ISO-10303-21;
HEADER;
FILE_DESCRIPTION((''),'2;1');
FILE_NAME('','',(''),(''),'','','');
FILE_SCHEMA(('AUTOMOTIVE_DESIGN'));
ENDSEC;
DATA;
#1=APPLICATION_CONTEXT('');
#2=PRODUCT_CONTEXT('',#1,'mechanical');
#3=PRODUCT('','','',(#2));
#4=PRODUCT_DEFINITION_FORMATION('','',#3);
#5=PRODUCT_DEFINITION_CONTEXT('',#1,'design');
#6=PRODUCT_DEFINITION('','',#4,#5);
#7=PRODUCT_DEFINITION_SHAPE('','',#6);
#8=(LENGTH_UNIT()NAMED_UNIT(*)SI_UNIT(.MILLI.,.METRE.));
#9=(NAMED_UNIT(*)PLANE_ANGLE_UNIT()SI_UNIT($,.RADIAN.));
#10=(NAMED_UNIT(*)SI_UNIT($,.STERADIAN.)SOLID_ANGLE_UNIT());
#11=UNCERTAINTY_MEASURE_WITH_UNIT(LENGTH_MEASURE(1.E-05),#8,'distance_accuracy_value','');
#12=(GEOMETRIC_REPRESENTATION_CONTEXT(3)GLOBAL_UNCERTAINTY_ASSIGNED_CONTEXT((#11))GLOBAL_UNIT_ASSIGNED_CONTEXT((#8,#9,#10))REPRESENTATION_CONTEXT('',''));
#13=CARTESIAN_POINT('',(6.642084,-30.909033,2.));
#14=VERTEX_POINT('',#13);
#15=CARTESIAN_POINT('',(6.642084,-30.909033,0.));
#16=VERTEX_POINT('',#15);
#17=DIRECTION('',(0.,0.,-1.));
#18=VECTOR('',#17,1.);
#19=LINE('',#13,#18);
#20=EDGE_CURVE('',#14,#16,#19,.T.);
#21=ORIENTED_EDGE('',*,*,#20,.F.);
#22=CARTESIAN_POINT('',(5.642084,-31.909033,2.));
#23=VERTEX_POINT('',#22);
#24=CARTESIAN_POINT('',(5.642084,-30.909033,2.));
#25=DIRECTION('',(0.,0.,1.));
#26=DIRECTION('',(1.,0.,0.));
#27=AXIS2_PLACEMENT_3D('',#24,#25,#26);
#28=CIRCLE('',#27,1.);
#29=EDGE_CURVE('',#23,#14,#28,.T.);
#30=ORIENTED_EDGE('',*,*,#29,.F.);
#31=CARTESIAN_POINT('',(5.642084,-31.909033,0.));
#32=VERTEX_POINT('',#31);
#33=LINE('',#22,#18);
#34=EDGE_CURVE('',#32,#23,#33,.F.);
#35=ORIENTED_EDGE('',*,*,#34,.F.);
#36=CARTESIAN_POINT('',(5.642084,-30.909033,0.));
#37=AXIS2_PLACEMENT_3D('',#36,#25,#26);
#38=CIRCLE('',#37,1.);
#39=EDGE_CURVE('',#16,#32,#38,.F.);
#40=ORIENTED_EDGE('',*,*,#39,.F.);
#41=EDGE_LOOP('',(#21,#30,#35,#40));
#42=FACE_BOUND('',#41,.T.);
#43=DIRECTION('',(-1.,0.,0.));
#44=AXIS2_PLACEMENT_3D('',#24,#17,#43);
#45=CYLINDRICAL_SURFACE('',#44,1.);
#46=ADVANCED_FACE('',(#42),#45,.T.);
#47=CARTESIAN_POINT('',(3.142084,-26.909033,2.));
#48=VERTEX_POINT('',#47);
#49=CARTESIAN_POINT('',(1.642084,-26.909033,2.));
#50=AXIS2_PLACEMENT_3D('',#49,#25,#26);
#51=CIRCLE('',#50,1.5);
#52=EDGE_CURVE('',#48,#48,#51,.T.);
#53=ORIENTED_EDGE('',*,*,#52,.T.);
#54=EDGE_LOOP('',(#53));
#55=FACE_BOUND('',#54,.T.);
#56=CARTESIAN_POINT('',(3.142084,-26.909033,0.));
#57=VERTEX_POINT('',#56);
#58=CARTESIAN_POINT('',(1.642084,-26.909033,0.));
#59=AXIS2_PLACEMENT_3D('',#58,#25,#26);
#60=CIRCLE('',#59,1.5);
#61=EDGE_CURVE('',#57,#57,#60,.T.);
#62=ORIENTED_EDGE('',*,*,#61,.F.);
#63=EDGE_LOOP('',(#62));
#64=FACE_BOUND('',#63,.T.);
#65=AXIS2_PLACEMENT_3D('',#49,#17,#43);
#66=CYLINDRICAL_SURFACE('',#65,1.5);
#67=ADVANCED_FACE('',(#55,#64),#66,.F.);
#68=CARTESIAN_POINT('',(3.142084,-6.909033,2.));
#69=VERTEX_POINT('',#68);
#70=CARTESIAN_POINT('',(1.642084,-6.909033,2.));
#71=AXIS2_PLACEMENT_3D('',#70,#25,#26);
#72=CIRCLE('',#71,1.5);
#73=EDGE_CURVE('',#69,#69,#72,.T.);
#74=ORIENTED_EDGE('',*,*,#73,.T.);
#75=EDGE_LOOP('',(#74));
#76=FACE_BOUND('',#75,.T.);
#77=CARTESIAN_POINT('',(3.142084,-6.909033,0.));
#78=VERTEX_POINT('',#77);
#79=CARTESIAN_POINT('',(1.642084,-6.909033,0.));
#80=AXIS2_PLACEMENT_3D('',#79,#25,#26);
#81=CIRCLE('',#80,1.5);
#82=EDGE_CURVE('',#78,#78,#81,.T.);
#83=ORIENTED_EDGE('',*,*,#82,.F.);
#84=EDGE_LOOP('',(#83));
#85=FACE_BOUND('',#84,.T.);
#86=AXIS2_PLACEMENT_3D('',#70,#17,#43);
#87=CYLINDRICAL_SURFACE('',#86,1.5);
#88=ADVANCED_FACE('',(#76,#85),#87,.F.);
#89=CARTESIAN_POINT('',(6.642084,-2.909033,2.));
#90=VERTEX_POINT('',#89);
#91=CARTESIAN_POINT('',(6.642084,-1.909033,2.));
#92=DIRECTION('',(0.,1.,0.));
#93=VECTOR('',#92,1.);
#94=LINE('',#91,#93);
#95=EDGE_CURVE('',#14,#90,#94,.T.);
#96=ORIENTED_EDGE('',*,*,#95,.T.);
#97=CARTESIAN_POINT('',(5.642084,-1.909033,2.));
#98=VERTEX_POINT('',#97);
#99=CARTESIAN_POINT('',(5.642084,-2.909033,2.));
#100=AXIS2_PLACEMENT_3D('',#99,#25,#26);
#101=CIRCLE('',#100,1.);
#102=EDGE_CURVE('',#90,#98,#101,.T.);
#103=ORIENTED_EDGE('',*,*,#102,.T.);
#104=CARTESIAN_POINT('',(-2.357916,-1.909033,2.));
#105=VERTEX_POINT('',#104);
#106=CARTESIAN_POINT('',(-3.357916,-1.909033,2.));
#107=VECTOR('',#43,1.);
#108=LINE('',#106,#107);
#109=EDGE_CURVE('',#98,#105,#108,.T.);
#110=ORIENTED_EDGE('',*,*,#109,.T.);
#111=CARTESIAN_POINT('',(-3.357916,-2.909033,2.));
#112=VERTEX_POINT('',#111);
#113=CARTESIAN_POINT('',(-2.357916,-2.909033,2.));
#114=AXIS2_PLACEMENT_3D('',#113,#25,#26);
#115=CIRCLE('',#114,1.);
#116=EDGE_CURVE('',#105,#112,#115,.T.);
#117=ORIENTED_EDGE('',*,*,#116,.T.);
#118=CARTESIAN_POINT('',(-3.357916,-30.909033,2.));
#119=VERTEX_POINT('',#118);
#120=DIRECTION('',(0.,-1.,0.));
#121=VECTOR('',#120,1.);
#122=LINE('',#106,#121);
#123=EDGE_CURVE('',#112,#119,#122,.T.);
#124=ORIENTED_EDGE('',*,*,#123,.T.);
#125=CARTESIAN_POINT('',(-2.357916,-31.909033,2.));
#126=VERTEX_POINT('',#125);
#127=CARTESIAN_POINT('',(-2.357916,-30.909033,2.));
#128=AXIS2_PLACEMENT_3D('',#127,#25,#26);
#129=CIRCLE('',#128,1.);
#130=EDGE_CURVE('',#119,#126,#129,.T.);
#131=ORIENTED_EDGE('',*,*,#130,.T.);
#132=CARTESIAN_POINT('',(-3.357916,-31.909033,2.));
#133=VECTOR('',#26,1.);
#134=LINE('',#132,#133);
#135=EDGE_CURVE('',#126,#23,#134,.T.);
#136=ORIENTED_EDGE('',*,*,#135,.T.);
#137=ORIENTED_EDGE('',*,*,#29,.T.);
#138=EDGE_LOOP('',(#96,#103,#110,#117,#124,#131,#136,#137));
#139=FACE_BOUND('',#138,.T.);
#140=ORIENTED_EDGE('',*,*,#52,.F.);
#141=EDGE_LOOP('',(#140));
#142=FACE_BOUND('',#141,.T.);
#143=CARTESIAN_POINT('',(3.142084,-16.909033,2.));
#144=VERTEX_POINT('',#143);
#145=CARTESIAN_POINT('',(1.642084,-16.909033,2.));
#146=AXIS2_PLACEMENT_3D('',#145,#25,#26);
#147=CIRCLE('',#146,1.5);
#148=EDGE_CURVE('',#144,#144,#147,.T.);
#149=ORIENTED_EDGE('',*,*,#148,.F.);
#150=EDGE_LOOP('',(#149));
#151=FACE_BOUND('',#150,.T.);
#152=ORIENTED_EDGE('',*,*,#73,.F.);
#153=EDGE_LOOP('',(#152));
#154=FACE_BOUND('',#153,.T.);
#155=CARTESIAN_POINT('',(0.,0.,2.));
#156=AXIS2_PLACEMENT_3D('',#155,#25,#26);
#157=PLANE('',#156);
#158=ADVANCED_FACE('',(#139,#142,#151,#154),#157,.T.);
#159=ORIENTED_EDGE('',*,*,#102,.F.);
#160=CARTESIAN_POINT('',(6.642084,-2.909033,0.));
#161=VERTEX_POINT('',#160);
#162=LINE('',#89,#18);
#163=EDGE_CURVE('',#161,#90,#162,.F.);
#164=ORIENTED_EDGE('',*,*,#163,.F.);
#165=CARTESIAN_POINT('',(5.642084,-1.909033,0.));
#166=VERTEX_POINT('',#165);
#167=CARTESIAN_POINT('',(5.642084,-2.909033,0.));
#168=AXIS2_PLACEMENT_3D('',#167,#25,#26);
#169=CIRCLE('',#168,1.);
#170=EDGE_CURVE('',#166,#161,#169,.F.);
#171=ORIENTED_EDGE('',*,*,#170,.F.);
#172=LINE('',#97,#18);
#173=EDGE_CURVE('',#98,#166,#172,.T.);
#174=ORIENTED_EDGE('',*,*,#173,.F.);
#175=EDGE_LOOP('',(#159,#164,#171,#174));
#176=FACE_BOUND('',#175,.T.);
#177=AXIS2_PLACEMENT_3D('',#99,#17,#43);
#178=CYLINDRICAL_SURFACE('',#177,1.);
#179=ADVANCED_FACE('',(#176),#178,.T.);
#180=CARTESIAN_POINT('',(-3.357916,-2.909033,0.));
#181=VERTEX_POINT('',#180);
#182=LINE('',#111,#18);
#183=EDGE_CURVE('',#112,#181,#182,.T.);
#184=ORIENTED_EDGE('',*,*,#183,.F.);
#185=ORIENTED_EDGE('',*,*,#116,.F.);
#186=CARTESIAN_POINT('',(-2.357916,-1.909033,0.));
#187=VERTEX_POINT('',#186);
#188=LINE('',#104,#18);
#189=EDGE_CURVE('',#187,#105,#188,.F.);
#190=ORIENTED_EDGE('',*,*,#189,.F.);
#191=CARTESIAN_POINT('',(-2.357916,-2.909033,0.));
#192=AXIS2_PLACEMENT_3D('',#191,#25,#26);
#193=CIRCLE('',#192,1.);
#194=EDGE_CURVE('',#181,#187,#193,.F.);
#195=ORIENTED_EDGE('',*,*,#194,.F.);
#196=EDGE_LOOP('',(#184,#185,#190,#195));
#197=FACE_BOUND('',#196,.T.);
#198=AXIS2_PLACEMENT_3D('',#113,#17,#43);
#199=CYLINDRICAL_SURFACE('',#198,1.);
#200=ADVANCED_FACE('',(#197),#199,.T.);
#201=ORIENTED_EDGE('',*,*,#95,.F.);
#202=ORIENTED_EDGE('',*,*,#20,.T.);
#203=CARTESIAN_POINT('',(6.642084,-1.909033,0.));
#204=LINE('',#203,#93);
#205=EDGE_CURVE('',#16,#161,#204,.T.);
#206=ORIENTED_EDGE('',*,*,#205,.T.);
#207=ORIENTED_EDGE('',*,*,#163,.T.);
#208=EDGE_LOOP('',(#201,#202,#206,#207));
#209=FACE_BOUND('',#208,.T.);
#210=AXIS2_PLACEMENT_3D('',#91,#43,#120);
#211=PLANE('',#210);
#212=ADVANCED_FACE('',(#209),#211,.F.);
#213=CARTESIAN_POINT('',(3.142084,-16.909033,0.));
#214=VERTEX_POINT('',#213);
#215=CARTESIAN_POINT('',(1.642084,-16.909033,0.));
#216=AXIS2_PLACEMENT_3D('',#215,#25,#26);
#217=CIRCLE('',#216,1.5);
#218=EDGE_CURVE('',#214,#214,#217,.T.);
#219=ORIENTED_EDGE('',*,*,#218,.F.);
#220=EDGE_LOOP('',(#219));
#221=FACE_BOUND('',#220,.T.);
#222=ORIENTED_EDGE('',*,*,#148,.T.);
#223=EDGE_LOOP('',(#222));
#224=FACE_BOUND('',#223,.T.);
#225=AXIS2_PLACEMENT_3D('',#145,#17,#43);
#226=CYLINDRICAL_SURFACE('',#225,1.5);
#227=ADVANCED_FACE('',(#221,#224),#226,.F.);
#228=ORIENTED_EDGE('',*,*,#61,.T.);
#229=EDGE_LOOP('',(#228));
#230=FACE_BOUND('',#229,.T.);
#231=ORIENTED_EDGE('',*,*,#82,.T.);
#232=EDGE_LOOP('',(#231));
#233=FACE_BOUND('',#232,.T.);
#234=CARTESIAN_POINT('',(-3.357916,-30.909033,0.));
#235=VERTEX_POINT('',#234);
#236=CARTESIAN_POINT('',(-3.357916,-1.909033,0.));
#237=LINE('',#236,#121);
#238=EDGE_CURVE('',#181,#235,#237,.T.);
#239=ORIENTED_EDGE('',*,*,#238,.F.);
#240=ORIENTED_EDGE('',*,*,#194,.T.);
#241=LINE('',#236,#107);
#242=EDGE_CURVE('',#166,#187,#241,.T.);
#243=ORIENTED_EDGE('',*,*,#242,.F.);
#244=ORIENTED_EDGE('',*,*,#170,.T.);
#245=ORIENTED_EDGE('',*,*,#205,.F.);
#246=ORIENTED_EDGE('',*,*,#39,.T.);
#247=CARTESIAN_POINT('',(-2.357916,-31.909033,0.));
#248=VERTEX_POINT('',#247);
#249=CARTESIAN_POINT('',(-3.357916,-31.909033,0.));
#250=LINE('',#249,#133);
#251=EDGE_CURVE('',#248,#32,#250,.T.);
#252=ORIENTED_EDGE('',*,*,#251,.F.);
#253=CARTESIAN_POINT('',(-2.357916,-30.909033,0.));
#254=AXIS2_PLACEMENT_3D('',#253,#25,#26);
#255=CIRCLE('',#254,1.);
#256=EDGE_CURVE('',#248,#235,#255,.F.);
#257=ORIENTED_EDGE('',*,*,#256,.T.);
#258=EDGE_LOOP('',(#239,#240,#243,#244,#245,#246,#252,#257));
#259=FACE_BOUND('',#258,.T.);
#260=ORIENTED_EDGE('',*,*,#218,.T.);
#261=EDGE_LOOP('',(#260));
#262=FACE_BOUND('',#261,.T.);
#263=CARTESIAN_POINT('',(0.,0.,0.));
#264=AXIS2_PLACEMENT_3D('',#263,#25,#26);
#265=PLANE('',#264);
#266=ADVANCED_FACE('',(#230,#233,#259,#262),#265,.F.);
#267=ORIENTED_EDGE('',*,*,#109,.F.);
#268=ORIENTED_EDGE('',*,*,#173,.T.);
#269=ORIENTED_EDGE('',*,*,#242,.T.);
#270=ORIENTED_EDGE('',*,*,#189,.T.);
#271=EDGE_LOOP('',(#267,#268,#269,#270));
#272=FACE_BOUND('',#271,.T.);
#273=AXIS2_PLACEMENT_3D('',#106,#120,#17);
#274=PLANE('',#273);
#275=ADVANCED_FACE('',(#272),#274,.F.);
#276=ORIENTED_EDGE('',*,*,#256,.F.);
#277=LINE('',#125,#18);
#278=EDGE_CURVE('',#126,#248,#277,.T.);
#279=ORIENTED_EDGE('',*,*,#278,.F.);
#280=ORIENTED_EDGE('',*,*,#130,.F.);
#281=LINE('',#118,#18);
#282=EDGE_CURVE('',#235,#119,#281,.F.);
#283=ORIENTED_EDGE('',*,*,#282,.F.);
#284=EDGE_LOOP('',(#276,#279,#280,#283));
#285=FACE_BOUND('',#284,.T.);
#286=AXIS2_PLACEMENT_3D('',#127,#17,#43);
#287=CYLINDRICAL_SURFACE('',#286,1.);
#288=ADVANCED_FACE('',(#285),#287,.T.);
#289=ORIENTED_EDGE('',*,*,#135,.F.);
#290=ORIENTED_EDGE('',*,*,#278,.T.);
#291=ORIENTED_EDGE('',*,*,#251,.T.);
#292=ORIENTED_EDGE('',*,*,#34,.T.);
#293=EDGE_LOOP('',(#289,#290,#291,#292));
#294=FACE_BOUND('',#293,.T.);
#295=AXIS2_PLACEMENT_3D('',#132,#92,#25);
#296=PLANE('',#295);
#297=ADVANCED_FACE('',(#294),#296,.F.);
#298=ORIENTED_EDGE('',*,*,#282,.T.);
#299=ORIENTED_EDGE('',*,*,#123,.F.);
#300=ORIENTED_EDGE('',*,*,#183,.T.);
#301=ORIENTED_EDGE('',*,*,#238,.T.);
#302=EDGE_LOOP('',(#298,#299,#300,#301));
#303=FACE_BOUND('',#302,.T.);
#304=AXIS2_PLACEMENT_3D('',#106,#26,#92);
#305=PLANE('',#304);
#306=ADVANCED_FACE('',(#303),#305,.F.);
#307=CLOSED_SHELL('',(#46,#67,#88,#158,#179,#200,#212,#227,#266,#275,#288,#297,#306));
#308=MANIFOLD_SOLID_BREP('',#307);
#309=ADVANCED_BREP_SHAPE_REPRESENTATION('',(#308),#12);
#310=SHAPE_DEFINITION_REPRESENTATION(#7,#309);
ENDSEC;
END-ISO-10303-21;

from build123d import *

# Parameters (mm, degrees)
SKETCH_1_W      = 10
SKETCH_1_H      = 30
SKETCH_1_R      = 1.5
EXTRUDE_1_DEPTH = 2
FILLET_1_R      = 1


with BuildPart() as part:
    # 草图1 → 凸台-拉伸1 (new body)
    with BuildSketch(Plane.XY):
        with Locations((1.642083631, -16.90903272)):
            Rectangle(SKETCH_1_W, SKETCH_1_H)
        with Locations((1.642083631, -6.90903272)):
            Circle(SKETCH_1_R, mode=Mode.SUBTRACT)
        with Locations((1.642083631, -16.90903272)):
            Circle(SKETCH_1_R, mode=Mode.SUBTRACT)
        with Locations((1.642083631, -26.90903272)):
            Circle(SKETCH_1_R, mode=Mode.SUBTRACT)
    extrude(amount=EXTRUDE_1_DEPTH)

    # 圆角1
    fillet_1_edges = [part.edges().sort_by_distance(p)[0] for p in [
        (-3.357916369, -1.90903272, 1),
        (6.642083631, -1.90903272, 1),
        (6.642083631, -31.90903272, 1),
        (-3.357916369, -31.90903272, 1),
    ]]
    fillet(fillet_1_edges, radius=FILLET_1_R)


solid = part.part
